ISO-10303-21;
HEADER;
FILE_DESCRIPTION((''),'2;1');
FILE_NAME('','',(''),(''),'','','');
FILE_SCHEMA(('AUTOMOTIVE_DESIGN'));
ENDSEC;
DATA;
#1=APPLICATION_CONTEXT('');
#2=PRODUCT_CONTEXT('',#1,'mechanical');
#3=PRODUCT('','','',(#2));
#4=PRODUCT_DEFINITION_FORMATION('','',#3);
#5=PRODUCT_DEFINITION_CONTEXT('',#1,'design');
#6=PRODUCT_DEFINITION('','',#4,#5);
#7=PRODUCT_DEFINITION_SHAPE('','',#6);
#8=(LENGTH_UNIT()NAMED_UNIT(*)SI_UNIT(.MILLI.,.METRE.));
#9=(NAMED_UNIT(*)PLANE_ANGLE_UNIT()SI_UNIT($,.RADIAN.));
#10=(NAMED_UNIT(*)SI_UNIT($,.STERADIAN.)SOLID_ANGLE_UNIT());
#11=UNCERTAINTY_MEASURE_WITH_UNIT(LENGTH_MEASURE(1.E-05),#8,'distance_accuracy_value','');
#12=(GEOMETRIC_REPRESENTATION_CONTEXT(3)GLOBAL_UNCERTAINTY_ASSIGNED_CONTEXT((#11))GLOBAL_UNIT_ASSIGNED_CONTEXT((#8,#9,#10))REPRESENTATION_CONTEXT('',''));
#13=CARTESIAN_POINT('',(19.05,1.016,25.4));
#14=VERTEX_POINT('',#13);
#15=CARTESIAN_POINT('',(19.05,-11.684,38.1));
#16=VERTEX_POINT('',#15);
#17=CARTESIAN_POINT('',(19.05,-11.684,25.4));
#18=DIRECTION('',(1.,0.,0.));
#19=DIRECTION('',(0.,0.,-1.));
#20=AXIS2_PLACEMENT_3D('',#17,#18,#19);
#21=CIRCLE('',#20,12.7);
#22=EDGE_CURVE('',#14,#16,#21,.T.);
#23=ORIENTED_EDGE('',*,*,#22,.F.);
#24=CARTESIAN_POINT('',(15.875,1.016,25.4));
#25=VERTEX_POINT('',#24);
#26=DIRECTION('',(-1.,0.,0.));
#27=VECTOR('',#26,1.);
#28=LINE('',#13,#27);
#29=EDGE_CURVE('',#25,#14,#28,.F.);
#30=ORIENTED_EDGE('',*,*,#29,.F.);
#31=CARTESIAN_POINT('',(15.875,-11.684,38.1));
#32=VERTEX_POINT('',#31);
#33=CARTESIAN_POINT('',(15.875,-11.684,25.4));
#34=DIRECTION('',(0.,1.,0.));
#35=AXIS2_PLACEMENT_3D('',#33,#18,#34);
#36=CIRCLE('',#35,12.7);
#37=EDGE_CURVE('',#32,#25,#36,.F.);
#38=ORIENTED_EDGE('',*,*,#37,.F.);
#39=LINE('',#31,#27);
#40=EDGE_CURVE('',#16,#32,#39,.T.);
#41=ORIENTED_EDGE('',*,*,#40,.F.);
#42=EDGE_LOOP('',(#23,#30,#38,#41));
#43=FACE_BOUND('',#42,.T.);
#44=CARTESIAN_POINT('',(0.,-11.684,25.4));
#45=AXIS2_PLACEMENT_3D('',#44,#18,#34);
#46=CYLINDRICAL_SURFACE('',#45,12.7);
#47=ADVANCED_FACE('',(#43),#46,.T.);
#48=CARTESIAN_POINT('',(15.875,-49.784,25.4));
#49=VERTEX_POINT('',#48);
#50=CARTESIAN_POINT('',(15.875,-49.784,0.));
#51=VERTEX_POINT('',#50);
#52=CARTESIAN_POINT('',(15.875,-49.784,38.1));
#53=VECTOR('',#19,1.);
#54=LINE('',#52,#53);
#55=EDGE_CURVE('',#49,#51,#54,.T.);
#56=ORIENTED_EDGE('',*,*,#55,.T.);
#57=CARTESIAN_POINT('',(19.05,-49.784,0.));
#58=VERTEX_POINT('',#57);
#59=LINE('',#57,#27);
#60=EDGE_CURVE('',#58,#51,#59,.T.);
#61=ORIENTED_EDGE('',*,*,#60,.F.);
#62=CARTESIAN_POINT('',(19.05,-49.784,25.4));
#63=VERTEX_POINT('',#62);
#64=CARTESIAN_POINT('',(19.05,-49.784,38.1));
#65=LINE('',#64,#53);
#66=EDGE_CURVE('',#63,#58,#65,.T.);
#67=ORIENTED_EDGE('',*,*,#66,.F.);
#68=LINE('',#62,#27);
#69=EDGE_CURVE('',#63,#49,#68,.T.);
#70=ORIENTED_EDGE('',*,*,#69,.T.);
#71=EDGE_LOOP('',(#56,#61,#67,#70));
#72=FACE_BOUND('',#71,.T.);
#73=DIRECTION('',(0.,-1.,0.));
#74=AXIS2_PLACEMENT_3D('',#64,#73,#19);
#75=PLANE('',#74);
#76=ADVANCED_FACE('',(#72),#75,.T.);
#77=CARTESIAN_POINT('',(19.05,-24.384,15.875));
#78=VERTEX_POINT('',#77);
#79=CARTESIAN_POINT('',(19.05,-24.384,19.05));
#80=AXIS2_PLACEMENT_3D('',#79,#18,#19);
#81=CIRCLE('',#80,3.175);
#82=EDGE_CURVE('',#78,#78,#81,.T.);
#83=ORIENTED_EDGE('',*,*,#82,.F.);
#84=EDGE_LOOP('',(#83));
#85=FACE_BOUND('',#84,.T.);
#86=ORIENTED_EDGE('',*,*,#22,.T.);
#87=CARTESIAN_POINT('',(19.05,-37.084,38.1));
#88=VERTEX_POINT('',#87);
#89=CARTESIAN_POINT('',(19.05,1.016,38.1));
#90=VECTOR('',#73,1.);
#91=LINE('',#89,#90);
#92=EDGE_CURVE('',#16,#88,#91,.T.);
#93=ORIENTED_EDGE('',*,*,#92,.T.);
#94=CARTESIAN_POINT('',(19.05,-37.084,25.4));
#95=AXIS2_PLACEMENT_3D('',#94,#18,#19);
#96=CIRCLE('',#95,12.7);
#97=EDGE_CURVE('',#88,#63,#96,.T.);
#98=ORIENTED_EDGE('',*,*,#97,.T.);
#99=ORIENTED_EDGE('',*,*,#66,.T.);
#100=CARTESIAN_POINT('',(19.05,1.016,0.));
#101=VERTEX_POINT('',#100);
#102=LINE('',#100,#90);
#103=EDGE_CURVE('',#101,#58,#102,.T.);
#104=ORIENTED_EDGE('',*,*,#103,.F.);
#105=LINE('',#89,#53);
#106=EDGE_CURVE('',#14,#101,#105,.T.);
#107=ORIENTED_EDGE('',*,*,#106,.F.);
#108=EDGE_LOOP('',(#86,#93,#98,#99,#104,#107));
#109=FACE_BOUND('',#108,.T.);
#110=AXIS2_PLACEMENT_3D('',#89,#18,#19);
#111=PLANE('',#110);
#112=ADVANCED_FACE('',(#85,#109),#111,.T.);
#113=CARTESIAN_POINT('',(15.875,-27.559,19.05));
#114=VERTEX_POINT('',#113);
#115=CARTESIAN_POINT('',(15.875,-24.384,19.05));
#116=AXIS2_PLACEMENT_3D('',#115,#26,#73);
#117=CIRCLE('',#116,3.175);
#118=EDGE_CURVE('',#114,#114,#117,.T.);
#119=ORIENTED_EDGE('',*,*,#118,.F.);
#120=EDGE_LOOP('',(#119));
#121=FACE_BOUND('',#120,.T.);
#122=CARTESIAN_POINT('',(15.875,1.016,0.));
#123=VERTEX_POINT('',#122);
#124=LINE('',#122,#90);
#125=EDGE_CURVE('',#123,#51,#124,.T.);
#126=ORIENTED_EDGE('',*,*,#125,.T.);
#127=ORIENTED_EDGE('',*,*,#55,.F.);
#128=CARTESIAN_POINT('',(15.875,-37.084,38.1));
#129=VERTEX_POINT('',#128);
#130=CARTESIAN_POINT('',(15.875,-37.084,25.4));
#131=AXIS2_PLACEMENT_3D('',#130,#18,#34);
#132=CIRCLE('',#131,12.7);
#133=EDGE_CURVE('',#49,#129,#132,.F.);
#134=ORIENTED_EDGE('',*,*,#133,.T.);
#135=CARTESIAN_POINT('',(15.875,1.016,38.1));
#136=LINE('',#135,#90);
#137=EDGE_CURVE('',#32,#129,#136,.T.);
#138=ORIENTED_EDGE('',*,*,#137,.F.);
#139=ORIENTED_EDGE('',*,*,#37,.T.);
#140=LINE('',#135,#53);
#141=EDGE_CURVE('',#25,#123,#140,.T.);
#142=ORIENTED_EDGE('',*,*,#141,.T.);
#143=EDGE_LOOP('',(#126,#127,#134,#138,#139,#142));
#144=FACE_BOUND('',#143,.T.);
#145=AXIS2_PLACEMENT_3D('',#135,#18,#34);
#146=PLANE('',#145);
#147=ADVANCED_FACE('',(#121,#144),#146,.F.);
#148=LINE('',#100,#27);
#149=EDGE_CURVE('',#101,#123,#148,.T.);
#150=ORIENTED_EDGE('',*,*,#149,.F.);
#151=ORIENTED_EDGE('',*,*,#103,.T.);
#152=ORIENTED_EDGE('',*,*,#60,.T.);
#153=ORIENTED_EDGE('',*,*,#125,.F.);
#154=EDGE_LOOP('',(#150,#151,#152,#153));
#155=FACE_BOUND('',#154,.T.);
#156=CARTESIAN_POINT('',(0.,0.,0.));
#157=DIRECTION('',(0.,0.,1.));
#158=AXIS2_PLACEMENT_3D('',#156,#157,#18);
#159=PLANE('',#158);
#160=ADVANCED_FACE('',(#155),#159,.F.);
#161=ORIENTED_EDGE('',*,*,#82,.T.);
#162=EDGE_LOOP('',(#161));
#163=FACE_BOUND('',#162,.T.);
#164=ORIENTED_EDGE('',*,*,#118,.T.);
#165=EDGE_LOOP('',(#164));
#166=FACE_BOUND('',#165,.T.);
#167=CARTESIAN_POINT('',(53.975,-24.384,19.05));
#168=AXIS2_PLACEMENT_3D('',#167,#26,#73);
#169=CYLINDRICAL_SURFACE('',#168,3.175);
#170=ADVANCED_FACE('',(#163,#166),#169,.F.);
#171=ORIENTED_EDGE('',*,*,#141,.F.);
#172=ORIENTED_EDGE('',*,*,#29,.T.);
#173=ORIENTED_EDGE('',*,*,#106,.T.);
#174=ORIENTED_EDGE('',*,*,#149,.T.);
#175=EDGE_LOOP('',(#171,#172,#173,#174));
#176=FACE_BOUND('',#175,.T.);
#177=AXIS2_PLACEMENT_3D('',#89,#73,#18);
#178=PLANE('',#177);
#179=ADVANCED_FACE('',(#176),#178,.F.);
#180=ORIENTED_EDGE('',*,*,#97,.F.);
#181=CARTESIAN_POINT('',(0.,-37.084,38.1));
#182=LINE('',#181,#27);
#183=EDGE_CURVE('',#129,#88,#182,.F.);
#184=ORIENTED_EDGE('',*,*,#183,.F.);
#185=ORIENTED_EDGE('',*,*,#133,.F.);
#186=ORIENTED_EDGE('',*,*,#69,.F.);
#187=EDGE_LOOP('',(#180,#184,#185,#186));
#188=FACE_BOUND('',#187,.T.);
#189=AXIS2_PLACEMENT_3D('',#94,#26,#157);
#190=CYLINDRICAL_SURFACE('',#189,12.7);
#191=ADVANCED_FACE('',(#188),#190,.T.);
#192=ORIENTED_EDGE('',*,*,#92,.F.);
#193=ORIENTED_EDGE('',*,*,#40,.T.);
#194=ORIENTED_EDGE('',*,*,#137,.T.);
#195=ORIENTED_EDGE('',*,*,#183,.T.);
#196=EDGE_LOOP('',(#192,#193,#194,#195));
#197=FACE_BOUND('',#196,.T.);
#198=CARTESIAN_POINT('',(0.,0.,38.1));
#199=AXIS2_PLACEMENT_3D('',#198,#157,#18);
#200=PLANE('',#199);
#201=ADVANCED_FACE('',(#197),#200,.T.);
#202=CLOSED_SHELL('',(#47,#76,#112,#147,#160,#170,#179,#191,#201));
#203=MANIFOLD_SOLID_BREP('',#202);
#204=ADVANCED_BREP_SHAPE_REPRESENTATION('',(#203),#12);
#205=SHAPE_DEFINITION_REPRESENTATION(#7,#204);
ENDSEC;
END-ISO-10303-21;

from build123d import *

# Parameters (mm, degrees)
SKETCH1_W           = 3.175
SKETCH1_H           = 50.8
BOSS_EXTRUDE1_DEPTH = 38.1
SKETCH3_R           = 3.175
CUT_EXTRUDE1_DEPTH  = 38.1
FILLET1_R           = 12.7


with BuildPart() as part:
    # Sketch1 → Boss-Extrude1 (new body)
    with BuildSketch(Plane.XY):
        with Locations((17.4625, -24.384)):
            Rectangle(SKETCH1_W, SKETCH1_H)
    extrude(amount=BOSS_EXTRUDE1_DEPTH)

    # Sketch3 → Cut-Extrude1 (cut)
    with BuildSketch(Plane.ZY.offset(-15.875)):
        with Locations((19.05, -24.384)):
            Circle(SKETCH3_R)
    extrude(amount=-CUT_EXTRUDE1_DEPTH, mode=Mode.SUBTRACT)

    # Fillet1
    fillet1_edges = [part.edges().sort_by_distance(p)[0] for p in [
        (17.4625, -49.784, 38.1),
        (17.4625, 1.016, 38.1),
    ]]
    fillet(fillet1_edges, radius=FILLET1_R)


solid = part.part
